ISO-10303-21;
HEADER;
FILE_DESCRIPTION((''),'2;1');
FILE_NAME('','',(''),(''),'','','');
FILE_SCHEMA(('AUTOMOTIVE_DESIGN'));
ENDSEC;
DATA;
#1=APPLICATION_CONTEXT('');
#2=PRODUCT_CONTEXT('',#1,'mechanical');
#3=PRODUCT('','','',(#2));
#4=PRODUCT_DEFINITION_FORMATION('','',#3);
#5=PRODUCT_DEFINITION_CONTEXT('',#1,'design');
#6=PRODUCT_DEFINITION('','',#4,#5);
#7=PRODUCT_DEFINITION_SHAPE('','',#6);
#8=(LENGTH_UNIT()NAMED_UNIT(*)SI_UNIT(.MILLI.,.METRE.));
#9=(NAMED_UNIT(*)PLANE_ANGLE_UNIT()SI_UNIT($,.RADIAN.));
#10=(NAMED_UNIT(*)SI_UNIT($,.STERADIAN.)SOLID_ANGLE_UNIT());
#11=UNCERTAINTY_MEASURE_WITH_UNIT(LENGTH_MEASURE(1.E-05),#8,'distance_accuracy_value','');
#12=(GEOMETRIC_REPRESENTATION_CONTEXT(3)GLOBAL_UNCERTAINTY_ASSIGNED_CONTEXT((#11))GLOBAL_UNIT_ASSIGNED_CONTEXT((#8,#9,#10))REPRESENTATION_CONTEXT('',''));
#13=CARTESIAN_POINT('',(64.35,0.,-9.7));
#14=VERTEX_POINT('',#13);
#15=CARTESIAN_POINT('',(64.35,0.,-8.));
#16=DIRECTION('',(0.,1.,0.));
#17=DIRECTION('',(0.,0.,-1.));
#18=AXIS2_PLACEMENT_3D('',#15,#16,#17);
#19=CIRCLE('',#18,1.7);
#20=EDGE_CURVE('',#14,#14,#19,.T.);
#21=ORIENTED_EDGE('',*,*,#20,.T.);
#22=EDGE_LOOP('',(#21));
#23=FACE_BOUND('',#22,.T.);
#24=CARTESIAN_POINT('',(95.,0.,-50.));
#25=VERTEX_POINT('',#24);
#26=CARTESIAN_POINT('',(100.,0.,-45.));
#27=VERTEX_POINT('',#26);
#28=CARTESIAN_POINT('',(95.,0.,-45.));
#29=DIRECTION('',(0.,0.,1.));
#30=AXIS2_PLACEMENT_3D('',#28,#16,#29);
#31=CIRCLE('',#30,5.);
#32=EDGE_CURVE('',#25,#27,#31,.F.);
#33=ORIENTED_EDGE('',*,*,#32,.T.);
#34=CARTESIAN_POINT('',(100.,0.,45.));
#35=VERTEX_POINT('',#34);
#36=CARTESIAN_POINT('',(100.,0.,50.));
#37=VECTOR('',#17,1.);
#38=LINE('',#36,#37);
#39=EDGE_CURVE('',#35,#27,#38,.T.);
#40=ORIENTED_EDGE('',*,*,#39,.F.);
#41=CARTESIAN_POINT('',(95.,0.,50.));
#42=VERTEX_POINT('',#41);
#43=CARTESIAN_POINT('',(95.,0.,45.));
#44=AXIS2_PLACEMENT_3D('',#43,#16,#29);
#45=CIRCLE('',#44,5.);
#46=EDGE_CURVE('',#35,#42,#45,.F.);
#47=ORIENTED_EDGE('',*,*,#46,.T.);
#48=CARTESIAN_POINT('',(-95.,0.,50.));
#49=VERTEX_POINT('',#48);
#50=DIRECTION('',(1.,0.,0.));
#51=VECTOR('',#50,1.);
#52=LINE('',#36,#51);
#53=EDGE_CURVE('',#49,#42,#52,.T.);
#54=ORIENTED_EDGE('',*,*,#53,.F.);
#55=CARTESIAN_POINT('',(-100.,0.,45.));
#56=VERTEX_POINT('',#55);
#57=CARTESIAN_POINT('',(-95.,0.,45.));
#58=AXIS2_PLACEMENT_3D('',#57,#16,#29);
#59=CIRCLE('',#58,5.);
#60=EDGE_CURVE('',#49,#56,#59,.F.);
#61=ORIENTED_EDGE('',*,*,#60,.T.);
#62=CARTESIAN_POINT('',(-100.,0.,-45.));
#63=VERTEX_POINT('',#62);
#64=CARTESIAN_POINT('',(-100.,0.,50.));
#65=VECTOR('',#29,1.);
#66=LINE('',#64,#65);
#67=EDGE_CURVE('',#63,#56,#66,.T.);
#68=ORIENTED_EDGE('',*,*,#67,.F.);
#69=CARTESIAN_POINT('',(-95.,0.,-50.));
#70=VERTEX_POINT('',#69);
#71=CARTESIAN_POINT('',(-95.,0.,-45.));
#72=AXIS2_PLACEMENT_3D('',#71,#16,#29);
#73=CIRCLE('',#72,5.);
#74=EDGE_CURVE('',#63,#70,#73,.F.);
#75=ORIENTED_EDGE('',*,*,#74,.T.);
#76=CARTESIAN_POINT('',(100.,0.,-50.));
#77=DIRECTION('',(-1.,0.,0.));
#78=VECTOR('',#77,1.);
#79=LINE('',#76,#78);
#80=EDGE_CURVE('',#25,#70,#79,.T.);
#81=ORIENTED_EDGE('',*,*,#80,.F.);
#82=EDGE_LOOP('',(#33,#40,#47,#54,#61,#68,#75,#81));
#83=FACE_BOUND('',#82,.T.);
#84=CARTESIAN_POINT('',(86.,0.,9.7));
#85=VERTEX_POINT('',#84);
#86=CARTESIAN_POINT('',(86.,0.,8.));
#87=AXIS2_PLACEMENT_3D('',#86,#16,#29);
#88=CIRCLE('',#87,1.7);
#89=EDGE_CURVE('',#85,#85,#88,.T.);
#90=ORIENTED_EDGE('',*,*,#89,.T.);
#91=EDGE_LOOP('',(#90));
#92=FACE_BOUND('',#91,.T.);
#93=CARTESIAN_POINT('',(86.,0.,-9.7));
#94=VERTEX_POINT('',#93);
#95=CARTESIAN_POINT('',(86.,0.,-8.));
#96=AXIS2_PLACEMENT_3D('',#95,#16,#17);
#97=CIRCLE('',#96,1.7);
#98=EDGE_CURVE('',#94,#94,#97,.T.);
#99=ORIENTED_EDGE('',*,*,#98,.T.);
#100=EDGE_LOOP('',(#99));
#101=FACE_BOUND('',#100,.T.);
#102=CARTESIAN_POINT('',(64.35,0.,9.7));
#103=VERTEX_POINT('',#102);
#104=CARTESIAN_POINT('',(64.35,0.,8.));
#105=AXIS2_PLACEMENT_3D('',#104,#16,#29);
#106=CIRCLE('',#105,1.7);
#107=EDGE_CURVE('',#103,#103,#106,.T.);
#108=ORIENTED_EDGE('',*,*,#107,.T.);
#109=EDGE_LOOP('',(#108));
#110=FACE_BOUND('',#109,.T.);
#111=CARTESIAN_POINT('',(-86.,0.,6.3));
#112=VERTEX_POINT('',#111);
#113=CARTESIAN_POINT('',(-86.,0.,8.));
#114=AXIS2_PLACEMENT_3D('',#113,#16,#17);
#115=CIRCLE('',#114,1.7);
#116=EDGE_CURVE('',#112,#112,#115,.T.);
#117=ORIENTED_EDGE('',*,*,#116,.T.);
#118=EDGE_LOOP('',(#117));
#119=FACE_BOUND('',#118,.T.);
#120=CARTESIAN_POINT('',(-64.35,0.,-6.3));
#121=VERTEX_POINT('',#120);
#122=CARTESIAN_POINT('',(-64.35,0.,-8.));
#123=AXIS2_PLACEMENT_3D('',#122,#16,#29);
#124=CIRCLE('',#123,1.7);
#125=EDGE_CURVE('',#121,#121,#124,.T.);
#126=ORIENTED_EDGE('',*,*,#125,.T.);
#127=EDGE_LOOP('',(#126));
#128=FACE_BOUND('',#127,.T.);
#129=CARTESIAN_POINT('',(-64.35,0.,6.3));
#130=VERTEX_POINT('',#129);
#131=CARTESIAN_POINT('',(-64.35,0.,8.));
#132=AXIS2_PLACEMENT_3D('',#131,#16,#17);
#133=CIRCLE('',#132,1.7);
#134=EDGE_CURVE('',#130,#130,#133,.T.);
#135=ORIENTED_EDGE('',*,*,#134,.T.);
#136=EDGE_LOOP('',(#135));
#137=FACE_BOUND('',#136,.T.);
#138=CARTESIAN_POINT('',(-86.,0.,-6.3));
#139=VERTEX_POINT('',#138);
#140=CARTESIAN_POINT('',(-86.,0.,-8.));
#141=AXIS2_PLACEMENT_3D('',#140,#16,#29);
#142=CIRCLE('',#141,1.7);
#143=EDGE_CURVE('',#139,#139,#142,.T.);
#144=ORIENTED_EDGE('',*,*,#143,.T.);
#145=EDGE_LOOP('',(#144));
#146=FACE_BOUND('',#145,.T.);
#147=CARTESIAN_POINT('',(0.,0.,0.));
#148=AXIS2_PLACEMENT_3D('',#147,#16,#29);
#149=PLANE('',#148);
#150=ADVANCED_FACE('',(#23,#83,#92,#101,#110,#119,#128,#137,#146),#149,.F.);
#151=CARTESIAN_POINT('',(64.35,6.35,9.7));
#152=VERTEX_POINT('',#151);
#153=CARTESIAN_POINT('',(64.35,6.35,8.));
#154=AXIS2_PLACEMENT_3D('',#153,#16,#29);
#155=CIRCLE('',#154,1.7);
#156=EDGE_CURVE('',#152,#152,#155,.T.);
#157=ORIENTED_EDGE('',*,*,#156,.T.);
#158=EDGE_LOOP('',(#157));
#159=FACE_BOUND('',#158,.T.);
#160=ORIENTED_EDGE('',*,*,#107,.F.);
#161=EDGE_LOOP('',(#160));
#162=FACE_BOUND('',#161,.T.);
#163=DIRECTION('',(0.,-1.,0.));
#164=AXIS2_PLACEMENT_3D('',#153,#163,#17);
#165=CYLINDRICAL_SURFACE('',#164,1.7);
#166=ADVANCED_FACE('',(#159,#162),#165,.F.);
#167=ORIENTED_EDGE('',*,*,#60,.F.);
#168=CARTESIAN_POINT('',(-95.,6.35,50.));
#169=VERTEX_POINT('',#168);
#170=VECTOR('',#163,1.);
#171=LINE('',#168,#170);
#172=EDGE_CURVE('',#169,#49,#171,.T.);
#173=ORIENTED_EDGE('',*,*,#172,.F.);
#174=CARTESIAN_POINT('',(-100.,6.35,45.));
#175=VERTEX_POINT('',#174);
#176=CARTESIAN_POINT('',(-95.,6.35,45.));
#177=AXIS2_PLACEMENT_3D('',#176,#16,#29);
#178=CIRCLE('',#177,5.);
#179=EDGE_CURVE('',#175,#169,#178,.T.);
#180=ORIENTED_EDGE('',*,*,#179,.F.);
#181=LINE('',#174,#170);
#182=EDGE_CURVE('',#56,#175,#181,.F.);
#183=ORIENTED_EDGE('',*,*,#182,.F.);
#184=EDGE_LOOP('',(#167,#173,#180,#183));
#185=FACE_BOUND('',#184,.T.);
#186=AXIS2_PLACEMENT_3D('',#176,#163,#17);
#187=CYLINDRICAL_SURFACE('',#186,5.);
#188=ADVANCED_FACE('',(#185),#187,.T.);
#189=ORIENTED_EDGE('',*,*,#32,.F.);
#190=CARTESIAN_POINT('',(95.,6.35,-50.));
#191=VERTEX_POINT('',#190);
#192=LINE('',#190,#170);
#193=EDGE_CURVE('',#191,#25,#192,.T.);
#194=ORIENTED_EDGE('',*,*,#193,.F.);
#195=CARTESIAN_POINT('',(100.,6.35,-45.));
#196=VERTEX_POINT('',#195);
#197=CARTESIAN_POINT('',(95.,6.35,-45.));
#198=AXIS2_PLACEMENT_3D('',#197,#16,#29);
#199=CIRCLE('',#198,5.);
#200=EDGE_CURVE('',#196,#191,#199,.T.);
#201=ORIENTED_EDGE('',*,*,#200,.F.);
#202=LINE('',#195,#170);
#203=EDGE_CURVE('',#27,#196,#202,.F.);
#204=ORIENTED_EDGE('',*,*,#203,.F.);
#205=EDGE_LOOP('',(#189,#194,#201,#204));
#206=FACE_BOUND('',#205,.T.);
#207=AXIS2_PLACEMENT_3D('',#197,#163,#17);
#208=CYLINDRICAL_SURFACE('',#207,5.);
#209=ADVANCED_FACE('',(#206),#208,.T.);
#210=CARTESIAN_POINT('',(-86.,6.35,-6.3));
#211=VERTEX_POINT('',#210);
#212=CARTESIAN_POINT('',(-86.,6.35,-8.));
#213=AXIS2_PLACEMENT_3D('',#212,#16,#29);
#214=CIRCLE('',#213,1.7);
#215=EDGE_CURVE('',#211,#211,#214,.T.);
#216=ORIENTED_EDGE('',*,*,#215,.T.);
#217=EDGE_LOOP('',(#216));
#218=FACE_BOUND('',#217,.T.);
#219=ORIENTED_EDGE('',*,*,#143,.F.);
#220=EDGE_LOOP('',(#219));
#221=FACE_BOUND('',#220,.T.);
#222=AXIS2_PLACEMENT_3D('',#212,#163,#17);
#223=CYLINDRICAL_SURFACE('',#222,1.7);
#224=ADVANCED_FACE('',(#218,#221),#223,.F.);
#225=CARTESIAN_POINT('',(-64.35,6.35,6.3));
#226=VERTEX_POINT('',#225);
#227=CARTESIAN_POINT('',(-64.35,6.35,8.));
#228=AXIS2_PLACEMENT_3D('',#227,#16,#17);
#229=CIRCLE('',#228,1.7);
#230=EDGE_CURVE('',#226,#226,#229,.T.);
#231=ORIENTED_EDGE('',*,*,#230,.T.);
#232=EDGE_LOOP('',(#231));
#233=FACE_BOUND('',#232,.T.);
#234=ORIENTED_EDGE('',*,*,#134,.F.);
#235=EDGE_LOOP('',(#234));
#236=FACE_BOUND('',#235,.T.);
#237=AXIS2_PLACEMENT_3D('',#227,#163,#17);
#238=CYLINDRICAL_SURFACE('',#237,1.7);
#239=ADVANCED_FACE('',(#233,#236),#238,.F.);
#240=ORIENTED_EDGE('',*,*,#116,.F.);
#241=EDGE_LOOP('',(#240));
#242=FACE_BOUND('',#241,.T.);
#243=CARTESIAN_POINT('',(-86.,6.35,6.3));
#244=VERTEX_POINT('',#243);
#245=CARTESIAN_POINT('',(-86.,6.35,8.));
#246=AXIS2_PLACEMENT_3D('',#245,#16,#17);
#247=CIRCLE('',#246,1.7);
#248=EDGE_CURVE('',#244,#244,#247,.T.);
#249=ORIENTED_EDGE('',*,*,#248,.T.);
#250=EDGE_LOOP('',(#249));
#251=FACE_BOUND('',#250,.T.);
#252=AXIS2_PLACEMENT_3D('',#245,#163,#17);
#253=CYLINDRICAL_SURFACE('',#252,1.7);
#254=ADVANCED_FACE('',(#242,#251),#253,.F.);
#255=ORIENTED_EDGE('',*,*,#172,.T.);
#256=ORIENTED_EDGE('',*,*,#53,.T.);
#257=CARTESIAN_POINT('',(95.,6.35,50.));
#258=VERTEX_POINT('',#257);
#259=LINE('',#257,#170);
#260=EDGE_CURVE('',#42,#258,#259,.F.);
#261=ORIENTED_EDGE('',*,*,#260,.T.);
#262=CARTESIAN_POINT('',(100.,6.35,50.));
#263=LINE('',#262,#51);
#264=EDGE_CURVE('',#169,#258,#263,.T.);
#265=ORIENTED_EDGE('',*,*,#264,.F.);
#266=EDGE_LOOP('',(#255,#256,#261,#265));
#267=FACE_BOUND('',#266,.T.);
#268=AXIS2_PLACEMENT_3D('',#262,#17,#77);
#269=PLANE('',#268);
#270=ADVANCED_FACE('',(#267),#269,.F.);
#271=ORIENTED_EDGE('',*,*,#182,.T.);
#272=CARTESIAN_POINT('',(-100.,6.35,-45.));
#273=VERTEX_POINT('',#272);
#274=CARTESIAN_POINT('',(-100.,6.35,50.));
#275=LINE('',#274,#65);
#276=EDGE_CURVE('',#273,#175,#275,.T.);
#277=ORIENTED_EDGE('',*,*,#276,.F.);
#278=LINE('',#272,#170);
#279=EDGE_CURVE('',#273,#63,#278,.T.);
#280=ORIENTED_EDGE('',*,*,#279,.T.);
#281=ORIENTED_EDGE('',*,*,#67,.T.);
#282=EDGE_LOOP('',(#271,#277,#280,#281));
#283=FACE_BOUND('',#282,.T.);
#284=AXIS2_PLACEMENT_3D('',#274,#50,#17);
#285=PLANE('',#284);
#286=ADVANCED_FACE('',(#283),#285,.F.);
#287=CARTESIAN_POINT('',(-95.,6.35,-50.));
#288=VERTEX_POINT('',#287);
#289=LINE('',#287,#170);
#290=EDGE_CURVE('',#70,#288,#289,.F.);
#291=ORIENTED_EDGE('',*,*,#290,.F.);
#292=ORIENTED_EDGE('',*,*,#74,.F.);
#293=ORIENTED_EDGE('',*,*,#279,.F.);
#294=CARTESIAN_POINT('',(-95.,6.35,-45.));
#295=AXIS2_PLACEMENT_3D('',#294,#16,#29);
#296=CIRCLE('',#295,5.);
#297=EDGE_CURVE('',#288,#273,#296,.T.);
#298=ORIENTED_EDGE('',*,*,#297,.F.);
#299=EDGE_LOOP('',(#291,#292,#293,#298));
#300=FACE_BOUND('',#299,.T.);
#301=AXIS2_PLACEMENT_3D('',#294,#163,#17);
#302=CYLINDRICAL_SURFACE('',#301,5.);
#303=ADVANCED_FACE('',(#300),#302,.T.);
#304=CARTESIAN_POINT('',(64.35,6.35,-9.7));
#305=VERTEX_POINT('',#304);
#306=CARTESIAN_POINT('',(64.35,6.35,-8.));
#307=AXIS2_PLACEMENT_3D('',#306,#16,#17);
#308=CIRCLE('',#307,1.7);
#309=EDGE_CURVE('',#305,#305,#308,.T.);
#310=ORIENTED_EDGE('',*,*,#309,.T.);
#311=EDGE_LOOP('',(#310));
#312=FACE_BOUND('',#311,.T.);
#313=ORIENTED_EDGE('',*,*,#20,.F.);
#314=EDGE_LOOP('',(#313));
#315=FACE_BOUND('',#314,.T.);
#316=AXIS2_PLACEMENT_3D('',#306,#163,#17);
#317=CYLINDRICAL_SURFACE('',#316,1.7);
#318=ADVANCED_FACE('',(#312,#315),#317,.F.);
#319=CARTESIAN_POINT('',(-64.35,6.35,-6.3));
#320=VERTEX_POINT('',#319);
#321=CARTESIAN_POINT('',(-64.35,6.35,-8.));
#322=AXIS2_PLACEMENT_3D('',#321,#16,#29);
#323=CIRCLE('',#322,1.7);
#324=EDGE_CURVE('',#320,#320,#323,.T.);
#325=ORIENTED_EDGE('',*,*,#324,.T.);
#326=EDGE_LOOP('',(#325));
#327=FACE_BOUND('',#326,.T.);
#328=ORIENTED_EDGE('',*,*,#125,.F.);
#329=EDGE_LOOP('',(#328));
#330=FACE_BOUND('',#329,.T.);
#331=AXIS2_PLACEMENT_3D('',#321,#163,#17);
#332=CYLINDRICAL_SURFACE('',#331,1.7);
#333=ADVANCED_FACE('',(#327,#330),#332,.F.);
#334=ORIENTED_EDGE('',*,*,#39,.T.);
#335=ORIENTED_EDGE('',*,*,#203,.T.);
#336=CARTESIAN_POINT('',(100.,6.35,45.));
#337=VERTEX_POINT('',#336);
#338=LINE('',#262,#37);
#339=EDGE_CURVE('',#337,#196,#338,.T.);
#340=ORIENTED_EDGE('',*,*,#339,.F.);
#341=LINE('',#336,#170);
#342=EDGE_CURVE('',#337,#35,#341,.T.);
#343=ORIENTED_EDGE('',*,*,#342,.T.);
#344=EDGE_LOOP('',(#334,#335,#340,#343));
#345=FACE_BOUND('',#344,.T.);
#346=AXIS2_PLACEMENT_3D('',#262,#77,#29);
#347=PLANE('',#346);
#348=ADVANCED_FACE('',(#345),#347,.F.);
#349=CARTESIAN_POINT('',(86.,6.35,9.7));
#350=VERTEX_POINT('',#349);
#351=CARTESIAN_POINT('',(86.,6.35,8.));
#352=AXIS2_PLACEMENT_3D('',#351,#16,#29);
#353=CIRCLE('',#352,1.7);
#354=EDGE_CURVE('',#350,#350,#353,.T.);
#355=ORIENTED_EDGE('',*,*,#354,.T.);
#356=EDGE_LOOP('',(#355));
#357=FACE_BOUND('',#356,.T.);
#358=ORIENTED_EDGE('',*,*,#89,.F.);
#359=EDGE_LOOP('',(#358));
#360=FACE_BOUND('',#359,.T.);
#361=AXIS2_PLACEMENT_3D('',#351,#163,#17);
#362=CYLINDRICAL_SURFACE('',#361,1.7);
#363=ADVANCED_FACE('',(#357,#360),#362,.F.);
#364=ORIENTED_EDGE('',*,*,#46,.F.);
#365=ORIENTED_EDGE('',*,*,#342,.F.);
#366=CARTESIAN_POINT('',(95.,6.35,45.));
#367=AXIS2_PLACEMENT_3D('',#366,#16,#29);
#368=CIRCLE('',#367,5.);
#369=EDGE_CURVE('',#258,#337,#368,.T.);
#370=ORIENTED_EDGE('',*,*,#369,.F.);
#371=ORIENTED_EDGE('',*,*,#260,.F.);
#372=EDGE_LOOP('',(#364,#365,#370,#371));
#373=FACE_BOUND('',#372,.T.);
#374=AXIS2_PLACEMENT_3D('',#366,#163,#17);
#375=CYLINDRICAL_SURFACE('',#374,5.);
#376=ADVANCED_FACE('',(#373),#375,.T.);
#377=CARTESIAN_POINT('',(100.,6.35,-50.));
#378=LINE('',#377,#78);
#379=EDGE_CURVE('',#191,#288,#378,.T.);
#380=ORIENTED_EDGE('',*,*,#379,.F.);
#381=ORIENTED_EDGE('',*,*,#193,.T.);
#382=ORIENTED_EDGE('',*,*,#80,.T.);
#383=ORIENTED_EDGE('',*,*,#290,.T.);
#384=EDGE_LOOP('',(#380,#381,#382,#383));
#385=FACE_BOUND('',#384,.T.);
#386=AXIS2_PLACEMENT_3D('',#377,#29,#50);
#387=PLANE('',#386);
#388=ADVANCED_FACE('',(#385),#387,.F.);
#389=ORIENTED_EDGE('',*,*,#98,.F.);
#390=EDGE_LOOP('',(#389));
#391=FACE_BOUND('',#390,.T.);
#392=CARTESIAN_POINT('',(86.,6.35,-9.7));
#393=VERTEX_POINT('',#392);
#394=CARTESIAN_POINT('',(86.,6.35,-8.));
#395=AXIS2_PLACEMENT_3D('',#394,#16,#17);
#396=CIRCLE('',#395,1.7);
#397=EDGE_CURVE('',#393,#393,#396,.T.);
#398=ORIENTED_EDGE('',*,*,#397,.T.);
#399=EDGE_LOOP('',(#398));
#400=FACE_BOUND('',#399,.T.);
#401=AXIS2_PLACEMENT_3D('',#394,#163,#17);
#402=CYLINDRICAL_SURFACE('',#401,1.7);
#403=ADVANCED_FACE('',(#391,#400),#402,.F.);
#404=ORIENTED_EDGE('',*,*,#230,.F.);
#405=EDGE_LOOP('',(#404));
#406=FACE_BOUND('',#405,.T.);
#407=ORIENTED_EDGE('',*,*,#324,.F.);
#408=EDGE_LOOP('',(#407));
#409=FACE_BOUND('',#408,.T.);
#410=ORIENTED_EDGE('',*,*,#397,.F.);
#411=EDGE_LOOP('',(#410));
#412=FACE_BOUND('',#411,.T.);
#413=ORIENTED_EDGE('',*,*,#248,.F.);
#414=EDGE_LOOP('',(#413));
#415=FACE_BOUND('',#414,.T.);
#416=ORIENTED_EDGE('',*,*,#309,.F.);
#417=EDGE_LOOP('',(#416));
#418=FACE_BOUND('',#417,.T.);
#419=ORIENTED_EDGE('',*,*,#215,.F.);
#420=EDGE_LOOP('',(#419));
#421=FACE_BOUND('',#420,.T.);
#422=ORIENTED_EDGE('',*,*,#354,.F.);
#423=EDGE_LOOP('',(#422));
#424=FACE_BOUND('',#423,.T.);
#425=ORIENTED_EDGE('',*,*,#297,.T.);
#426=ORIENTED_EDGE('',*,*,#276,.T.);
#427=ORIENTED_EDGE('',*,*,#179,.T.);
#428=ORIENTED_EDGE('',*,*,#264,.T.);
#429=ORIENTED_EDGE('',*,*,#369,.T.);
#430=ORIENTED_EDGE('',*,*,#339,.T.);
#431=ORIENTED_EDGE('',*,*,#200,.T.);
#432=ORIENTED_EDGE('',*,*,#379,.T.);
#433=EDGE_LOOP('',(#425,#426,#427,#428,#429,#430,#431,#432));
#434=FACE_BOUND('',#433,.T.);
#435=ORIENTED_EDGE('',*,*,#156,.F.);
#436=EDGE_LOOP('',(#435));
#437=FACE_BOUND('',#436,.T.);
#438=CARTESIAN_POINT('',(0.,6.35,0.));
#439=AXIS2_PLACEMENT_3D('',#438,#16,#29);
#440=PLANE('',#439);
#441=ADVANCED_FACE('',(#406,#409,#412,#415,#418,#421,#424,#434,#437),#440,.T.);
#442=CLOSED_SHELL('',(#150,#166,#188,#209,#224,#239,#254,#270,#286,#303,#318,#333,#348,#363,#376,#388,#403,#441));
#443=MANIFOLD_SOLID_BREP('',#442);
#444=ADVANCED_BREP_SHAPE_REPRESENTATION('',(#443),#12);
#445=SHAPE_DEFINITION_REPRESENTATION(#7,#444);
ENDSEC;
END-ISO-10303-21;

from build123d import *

# Parameters (mm, degrees)
SKETCH1_W           = 200
SKETCH1_H           = 100
SKETCH1_R           = 1.7
BOSS_EXTRUDE1_DEPTH = 6.35
FILLET1_R           = 5


with BuildPart() as part:
    # Sketch1 → Boss-Extrude1 (new body)
    with BuildSketch(Plane(origin=(0, 0, 0), x_dir=(1, 0, 0), z_dir=(0, 1, 0))):
        Rectangle(SKETCH1_W, SKETCH1_H)
        with Locations(Location((-86, 8, 0), (0, 0, 270))):
            Circle(SKETCH1_R, mode=Mode.SUBTRACT)
        with Locations(Location((-86, -8, 0), (0, 0, 90))):
            Circle(SKETCH1_R, mode=Mode.SUBTRACT)
        with Locations(Location((86, -8, 0), (0, 0, 270))):
            Circle(SKETCH1_R, mode=Mode.SUBTRACT)
        with Locations(Location((86, 8, 0), (0, 0, 90))):
            Circle(SKETCH1_R, mode=Mode.SUBTRACT)
        with Locations(Location((-64.35, 8, 0), (0, 0, 270))):
            Circle(SKETCH1_R, mode=Mode.SUBTRACT)
        with Locations(Location((-64.35, -8, 0), (0, 0, 90))):
            Circle(SKETCH1_R, mode=Mode.SUBTRACT)
        with Locations(Location((64.35, -8, 0), (0, 0, 270))):
            Circle(SKETCH1_R, mode=Mode.SUBTRACT)
        with Locations(Location((64.35, 8, 0), (0, 0, 90))):
            Circle(SKETCH1_R, mode=Mode.SUBTRACT)
    extrude(amount=BOSS_EXTRUDE1_DEPTH)

    # Fillet1
    fillet1_edges = [part.edges().sort_by_distance(p)[0] for p in [
        (-100, 3.175, -50),
        (100, 3.175, -50),
        (100, 3.175, 50),
        (-100, 3.175, 50),
    ]]
    fillet(fillet1_edges, radius=FILLET1_R)


solid = part.part
